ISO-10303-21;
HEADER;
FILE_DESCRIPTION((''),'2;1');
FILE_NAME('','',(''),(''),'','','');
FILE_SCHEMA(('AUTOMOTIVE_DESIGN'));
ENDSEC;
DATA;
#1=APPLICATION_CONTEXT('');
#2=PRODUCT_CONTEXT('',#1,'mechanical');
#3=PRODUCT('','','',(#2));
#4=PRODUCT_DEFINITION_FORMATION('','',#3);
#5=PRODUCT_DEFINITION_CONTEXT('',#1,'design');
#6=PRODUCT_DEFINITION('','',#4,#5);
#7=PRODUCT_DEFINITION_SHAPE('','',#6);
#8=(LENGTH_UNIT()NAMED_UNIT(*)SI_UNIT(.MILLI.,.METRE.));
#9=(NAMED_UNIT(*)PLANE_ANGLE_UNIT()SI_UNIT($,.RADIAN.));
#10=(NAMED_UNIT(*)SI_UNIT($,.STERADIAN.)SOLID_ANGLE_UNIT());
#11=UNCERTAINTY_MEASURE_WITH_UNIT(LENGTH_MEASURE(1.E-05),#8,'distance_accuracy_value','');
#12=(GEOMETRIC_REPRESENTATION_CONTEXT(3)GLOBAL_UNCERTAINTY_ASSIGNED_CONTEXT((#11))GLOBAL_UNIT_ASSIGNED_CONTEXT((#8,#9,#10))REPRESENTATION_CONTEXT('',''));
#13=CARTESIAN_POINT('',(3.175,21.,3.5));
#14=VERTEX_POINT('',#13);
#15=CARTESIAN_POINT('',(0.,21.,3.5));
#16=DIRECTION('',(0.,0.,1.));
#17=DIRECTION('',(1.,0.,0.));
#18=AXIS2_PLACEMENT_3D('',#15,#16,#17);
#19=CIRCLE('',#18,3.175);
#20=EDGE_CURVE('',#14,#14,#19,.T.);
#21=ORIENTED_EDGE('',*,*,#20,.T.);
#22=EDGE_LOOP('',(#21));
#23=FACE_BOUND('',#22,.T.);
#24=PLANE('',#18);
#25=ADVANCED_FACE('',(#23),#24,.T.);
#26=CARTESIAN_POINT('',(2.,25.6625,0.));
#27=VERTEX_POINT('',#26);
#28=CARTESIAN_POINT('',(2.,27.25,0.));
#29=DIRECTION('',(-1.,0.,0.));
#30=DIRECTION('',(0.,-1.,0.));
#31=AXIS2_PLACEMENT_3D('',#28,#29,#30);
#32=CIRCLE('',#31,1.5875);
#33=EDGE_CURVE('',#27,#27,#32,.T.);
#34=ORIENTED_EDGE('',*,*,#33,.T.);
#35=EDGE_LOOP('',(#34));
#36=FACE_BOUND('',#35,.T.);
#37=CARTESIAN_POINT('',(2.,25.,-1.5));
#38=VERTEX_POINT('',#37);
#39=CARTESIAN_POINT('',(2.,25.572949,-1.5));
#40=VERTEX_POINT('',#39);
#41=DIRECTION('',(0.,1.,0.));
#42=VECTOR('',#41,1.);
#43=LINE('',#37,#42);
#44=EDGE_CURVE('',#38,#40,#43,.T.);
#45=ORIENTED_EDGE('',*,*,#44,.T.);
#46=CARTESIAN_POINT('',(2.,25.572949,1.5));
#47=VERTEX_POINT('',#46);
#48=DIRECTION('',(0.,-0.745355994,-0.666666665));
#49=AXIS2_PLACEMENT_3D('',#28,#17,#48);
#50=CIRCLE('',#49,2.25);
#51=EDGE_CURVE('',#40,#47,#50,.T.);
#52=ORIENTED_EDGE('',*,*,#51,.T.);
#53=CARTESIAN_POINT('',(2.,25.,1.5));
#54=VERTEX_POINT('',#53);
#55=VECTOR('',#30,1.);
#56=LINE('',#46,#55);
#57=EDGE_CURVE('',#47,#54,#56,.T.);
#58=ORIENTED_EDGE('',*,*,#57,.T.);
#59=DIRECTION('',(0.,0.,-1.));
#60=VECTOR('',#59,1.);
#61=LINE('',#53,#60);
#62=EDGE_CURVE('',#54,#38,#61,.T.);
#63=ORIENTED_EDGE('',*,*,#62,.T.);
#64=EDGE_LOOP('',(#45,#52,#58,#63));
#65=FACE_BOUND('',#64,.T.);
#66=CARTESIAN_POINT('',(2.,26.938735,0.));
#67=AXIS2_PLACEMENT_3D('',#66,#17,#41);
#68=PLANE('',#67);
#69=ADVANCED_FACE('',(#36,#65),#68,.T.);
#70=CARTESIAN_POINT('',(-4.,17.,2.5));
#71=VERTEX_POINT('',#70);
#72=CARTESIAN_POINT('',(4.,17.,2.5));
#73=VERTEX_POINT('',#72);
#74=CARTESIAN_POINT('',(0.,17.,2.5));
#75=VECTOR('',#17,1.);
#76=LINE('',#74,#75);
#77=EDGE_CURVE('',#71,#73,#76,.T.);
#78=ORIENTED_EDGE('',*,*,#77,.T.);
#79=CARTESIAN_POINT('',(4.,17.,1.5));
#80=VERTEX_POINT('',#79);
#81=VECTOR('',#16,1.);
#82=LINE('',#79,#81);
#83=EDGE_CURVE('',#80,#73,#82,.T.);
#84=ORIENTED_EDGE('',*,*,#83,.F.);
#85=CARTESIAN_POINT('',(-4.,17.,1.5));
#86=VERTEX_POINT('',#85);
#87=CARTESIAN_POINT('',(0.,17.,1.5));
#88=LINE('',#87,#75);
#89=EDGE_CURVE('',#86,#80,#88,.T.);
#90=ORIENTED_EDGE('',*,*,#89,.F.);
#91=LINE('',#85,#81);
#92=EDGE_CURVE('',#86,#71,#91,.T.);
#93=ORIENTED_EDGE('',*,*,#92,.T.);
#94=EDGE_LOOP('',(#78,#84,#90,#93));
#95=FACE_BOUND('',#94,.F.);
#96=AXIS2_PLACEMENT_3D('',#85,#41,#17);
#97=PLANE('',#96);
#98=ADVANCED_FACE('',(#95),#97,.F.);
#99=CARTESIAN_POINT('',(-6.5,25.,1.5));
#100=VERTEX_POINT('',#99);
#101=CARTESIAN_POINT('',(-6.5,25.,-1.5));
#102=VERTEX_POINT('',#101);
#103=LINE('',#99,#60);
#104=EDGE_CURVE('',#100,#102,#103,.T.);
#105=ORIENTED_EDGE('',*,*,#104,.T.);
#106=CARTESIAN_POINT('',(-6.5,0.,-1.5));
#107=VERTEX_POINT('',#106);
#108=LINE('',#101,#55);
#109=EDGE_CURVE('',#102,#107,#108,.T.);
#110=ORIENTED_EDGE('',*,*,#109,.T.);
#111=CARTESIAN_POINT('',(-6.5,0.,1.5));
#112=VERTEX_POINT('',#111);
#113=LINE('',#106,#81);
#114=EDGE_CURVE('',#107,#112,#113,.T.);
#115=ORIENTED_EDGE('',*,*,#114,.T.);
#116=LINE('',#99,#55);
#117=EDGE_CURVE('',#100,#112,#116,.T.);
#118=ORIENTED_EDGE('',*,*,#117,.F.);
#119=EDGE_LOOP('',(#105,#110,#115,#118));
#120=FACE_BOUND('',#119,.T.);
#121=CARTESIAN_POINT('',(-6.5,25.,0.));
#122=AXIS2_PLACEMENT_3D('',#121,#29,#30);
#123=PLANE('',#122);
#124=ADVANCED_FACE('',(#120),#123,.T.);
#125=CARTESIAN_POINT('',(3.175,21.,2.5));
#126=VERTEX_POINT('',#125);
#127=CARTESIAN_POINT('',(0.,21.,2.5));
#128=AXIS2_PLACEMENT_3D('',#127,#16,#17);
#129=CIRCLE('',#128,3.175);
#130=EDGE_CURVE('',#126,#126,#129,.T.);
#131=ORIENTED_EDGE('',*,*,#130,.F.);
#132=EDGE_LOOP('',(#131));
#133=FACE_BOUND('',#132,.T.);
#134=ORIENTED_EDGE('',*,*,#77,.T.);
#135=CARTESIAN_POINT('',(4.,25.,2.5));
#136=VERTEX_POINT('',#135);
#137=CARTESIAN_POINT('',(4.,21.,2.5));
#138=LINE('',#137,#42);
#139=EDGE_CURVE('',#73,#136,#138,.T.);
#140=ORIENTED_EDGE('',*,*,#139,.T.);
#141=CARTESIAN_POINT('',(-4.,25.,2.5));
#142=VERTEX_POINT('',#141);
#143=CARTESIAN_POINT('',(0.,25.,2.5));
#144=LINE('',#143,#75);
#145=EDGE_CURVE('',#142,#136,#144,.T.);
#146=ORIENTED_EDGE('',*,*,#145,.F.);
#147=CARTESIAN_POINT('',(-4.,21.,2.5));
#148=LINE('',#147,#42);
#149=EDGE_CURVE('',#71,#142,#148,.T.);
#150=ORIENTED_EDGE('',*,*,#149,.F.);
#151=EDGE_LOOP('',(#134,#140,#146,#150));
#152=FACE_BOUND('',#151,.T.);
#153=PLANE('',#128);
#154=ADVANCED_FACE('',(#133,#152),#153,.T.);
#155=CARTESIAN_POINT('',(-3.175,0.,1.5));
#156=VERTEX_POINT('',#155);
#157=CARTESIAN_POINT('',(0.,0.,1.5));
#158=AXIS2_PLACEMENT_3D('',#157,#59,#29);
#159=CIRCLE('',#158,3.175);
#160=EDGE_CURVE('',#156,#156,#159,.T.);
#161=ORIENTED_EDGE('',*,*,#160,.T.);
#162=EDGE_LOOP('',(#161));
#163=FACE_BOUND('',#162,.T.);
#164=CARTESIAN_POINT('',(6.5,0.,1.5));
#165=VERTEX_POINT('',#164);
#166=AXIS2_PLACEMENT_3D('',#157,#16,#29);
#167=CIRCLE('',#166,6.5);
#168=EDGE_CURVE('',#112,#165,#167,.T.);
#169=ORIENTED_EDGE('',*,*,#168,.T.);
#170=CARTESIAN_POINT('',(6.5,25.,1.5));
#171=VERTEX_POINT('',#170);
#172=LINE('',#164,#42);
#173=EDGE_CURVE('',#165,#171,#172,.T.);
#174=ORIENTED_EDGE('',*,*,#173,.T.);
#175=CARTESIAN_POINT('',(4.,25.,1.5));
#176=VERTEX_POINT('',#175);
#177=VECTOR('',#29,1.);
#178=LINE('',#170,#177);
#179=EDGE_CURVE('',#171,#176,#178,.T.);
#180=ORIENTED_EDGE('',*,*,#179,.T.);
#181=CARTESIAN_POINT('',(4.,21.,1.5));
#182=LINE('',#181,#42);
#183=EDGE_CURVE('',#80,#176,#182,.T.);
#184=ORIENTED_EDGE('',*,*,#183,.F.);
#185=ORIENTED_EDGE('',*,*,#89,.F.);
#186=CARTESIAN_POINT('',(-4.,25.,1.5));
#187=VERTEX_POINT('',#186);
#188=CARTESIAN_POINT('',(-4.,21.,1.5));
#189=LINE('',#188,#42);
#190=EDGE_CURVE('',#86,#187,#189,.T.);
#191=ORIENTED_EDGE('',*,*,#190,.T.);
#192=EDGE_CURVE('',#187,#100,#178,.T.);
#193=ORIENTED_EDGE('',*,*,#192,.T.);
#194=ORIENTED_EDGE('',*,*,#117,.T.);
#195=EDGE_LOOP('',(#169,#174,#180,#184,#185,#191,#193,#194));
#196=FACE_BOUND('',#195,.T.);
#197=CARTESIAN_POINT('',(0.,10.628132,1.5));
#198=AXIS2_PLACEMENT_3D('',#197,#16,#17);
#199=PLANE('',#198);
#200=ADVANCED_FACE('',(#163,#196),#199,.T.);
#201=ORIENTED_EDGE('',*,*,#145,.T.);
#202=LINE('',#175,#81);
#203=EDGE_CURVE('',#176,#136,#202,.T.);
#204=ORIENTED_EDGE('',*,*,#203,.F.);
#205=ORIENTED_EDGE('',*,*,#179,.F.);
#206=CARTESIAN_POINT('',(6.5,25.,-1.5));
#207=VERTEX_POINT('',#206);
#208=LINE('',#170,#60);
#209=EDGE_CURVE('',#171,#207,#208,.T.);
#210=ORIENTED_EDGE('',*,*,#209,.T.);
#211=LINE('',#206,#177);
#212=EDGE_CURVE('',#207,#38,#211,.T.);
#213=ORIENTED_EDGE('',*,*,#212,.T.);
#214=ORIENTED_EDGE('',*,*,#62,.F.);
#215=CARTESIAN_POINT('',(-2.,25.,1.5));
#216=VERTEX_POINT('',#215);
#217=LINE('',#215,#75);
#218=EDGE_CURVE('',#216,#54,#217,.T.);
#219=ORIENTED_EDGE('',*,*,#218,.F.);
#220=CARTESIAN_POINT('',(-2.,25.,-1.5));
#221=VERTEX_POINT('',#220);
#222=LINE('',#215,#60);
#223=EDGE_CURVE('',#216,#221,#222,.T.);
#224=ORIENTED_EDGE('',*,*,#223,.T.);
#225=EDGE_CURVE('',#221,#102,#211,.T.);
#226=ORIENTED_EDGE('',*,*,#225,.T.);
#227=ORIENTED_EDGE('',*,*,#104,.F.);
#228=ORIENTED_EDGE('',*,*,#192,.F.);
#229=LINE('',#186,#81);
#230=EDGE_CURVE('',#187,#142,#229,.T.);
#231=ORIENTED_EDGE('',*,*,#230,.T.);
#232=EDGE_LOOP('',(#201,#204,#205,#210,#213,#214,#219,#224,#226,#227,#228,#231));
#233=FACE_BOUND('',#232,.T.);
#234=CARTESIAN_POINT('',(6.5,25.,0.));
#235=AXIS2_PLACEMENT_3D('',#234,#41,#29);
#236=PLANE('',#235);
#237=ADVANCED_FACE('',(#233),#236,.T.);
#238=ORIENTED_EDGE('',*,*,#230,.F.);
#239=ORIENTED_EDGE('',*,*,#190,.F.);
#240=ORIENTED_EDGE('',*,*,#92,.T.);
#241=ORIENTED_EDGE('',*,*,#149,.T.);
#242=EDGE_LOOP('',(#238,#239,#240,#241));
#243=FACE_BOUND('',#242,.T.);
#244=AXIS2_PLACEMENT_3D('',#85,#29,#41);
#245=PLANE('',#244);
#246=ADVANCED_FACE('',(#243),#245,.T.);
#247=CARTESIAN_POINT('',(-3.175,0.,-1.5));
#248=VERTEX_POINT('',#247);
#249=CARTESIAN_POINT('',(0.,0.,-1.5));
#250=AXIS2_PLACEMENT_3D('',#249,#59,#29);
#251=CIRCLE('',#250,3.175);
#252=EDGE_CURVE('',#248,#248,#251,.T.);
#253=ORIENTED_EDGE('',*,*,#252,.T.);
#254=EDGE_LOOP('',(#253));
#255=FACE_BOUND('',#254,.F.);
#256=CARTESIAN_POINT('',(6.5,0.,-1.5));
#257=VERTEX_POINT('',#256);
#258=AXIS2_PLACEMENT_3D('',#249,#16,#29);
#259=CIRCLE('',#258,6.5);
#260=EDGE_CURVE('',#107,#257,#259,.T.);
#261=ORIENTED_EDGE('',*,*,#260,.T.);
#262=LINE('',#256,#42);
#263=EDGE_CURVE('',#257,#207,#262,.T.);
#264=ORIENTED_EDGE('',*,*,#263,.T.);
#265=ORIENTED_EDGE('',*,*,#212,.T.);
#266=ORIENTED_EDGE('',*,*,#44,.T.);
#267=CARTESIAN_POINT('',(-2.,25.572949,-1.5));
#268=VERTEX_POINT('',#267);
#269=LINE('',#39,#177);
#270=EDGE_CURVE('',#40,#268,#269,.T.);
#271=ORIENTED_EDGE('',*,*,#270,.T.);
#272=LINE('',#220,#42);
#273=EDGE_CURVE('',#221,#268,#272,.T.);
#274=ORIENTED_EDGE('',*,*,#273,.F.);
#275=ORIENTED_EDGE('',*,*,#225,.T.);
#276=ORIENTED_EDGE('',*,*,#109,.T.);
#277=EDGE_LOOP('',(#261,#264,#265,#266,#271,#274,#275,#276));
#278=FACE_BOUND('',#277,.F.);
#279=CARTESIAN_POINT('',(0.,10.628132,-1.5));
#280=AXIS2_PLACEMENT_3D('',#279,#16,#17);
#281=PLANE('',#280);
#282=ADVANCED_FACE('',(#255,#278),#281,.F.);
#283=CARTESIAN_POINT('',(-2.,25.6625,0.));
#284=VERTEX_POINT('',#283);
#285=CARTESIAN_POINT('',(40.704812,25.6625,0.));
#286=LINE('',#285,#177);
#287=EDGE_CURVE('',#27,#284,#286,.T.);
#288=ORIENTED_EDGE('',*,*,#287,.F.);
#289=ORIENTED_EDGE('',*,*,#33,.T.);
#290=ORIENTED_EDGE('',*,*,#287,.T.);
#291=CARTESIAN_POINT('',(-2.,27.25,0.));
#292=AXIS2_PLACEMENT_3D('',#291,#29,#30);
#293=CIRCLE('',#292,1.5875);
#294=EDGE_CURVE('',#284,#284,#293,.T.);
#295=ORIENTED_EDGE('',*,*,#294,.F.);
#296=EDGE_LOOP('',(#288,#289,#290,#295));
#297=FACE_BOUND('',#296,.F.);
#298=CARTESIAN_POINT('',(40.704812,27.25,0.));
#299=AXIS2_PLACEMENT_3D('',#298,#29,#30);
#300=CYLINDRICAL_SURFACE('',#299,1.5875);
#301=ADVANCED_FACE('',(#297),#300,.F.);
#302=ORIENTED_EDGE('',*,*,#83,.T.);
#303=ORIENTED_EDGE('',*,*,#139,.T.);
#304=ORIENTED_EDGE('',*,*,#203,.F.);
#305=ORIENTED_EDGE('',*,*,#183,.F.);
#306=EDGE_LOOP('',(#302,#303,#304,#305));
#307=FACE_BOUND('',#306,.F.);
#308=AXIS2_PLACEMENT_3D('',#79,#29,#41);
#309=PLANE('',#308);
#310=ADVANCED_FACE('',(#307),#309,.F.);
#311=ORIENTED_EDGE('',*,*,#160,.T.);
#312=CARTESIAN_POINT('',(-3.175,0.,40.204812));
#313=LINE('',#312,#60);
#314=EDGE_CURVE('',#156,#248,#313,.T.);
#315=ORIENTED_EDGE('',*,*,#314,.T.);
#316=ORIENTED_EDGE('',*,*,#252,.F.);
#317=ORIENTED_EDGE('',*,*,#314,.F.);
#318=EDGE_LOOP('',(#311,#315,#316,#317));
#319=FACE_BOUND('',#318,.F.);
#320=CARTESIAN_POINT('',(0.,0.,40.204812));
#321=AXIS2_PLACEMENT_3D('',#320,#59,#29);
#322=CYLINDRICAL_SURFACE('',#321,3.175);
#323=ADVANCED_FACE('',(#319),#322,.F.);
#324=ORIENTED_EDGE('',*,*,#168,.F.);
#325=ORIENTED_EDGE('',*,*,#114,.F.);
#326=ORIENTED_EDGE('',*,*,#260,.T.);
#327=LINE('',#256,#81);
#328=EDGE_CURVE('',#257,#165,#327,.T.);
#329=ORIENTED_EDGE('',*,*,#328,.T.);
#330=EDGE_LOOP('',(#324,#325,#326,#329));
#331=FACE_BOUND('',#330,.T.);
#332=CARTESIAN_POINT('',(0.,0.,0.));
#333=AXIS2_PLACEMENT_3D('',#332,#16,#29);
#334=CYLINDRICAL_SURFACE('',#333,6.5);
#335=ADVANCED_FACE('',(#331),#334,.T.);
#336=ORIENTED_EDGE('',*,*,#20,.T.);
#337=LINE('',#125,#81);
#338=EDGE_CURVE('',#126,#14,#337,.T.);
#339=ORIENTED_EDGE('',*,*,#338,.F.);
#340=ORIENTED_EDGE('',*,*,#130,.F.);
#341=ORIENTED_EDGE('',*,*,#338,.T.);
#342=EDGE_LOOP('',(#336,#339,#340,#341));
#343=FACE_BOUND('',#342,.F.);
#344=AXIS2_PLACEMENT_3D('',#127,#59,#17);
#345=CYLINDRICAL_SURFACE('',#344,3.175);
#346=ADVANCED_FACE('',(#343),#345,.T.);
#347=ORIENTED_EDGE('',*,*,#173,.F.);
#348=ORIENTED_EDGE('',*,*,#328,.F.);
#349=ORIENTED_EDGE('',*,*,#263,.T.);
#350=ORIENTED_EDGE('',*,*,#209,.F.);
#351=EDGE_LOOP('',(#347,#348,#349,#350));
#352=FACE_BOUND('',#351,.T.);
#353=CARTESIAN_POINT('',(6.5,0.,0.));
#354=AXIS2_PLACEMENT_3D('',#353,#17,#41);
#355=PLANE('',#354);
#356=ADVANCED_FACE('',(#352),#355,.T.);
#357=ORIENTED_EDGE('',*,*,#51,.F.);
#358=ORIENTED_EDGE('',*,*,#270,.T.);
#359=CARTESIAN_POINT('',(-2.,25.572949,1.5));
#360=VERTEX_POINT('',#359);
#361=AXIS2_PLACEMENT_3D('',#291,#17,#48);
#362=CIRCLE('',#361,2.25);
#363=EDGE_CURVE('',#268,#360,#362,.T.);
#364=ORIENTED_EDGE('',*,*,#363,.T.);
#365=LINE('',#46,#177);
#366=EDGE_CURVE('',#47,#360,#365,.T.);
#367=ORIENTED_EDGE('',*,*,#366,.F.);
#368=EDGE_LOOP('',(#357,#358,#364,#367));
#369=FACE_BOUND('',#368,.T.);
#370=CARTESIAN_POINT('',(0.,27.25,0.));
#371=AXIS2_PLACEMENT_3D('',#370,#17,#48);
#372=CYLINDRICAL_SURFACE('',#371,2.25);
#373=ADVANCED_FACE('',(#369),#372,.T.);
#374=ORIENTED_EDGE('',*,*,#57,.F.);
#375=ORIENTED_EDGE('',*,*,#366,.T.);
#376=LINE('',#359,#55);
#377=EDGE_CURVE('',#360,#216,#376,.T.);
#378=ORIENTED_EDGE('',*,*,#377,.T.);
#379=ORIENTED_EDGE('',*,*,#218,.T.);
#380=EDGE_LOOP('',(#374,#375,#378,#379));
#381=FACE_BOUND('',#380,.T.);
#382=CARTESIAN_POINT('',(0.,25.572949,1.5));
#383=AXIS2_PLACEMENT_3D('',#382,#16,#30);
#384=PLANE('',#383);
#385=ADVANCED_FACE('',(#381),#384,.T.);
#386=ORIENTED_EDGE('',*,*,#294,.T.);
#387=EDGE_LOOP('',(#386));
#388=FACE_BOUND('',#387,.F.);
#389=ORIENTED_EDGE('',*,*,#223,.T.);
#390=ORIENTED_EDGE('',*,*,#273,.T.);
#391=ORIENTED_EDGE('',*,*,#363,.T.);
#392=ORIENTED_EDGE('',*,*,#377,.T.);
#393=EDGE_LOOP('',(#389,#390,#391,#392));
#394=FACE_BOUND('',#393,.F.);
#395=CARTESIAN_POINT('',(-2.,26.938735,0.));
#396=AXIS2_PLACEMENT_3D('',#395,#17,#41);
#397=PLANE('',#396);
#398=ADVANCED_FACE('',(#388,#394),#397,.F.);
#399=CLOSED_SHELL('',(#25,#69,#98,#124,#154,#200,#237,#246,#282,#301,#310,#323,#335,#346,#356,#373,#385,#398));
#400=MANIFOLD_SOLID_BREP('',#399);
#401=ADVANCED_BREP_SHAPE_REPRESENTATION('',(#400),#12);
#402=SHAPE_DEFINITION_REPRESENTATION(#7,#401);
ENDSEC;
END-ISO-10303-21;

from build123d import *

# Parameters (mm, degrees)
F1_DEPTH = 1.5
F2_W     = 8
F2_H     = 8
F3_DEPTH = 1
F4_R     = 3.175
F5_DEPTH = 1
F7_DEPTH = 2
F9_D     = 3.175
F11_D    = 6.35


with BuildPart() as f1:
    # F0 (on Top) → F1 (new body, symmetric)
    with BuildSketch(Plane.XY):
        with BuildLine():
            Line((-6.5, 25), (-6.5, 0))
            ThreePointArc((-6.5, 0), (0, -6.5), (6.5, 0))
            Line((6.5, 0), (6.5, 25))
            Line((6.5, 25), (-6.5, 25))
        make_face()
    extrude(amount=F1_DEPTH, both=True)

    # F2 (on face) → F3 (join)
    with BuildSketch(Plane.XY.offset(1.5)):
        with Locations((0, 21)):
            Rectangle(F2_W, F2_H)
    extrude(amount=F3_DEPTH)

    # F4 (on face) → F5 (join)
    with BuildSketch(Plane.XY.offset(2.5)):
        with Locations((0, 21)):
            Circle(F4_R)
    extrude(amount=F5_DEPTH)

    # F6 (on Right) → F7 (join, symmetric)
    with BuildSketch(Plane.YZ):
        with BuildLine():
            Line((25.572949, 1.5), (25, 1.5))
            Line((25, 1.5), (25, -1.5))
            Line((25, -1.5), (25.572949, -1.5))
            ThreePointArc((25.572949, -1.5), (29.5, 0), (25.572949, 1.5))
        make_face()
    extrude(amount=F7_DEPTH, both=True)

    # F9 (through all)
    with Locations(Plane.YZ.offset(2)):
        with Locations((27.25, 0)):
            Hole(F9_D / 2)

    # F11 (through all)
    with Locations(Plane.XY.offset(1.5)):
        with Locations((0, 0)):
            Hole(F11_D / 2)


solid = f1.part
